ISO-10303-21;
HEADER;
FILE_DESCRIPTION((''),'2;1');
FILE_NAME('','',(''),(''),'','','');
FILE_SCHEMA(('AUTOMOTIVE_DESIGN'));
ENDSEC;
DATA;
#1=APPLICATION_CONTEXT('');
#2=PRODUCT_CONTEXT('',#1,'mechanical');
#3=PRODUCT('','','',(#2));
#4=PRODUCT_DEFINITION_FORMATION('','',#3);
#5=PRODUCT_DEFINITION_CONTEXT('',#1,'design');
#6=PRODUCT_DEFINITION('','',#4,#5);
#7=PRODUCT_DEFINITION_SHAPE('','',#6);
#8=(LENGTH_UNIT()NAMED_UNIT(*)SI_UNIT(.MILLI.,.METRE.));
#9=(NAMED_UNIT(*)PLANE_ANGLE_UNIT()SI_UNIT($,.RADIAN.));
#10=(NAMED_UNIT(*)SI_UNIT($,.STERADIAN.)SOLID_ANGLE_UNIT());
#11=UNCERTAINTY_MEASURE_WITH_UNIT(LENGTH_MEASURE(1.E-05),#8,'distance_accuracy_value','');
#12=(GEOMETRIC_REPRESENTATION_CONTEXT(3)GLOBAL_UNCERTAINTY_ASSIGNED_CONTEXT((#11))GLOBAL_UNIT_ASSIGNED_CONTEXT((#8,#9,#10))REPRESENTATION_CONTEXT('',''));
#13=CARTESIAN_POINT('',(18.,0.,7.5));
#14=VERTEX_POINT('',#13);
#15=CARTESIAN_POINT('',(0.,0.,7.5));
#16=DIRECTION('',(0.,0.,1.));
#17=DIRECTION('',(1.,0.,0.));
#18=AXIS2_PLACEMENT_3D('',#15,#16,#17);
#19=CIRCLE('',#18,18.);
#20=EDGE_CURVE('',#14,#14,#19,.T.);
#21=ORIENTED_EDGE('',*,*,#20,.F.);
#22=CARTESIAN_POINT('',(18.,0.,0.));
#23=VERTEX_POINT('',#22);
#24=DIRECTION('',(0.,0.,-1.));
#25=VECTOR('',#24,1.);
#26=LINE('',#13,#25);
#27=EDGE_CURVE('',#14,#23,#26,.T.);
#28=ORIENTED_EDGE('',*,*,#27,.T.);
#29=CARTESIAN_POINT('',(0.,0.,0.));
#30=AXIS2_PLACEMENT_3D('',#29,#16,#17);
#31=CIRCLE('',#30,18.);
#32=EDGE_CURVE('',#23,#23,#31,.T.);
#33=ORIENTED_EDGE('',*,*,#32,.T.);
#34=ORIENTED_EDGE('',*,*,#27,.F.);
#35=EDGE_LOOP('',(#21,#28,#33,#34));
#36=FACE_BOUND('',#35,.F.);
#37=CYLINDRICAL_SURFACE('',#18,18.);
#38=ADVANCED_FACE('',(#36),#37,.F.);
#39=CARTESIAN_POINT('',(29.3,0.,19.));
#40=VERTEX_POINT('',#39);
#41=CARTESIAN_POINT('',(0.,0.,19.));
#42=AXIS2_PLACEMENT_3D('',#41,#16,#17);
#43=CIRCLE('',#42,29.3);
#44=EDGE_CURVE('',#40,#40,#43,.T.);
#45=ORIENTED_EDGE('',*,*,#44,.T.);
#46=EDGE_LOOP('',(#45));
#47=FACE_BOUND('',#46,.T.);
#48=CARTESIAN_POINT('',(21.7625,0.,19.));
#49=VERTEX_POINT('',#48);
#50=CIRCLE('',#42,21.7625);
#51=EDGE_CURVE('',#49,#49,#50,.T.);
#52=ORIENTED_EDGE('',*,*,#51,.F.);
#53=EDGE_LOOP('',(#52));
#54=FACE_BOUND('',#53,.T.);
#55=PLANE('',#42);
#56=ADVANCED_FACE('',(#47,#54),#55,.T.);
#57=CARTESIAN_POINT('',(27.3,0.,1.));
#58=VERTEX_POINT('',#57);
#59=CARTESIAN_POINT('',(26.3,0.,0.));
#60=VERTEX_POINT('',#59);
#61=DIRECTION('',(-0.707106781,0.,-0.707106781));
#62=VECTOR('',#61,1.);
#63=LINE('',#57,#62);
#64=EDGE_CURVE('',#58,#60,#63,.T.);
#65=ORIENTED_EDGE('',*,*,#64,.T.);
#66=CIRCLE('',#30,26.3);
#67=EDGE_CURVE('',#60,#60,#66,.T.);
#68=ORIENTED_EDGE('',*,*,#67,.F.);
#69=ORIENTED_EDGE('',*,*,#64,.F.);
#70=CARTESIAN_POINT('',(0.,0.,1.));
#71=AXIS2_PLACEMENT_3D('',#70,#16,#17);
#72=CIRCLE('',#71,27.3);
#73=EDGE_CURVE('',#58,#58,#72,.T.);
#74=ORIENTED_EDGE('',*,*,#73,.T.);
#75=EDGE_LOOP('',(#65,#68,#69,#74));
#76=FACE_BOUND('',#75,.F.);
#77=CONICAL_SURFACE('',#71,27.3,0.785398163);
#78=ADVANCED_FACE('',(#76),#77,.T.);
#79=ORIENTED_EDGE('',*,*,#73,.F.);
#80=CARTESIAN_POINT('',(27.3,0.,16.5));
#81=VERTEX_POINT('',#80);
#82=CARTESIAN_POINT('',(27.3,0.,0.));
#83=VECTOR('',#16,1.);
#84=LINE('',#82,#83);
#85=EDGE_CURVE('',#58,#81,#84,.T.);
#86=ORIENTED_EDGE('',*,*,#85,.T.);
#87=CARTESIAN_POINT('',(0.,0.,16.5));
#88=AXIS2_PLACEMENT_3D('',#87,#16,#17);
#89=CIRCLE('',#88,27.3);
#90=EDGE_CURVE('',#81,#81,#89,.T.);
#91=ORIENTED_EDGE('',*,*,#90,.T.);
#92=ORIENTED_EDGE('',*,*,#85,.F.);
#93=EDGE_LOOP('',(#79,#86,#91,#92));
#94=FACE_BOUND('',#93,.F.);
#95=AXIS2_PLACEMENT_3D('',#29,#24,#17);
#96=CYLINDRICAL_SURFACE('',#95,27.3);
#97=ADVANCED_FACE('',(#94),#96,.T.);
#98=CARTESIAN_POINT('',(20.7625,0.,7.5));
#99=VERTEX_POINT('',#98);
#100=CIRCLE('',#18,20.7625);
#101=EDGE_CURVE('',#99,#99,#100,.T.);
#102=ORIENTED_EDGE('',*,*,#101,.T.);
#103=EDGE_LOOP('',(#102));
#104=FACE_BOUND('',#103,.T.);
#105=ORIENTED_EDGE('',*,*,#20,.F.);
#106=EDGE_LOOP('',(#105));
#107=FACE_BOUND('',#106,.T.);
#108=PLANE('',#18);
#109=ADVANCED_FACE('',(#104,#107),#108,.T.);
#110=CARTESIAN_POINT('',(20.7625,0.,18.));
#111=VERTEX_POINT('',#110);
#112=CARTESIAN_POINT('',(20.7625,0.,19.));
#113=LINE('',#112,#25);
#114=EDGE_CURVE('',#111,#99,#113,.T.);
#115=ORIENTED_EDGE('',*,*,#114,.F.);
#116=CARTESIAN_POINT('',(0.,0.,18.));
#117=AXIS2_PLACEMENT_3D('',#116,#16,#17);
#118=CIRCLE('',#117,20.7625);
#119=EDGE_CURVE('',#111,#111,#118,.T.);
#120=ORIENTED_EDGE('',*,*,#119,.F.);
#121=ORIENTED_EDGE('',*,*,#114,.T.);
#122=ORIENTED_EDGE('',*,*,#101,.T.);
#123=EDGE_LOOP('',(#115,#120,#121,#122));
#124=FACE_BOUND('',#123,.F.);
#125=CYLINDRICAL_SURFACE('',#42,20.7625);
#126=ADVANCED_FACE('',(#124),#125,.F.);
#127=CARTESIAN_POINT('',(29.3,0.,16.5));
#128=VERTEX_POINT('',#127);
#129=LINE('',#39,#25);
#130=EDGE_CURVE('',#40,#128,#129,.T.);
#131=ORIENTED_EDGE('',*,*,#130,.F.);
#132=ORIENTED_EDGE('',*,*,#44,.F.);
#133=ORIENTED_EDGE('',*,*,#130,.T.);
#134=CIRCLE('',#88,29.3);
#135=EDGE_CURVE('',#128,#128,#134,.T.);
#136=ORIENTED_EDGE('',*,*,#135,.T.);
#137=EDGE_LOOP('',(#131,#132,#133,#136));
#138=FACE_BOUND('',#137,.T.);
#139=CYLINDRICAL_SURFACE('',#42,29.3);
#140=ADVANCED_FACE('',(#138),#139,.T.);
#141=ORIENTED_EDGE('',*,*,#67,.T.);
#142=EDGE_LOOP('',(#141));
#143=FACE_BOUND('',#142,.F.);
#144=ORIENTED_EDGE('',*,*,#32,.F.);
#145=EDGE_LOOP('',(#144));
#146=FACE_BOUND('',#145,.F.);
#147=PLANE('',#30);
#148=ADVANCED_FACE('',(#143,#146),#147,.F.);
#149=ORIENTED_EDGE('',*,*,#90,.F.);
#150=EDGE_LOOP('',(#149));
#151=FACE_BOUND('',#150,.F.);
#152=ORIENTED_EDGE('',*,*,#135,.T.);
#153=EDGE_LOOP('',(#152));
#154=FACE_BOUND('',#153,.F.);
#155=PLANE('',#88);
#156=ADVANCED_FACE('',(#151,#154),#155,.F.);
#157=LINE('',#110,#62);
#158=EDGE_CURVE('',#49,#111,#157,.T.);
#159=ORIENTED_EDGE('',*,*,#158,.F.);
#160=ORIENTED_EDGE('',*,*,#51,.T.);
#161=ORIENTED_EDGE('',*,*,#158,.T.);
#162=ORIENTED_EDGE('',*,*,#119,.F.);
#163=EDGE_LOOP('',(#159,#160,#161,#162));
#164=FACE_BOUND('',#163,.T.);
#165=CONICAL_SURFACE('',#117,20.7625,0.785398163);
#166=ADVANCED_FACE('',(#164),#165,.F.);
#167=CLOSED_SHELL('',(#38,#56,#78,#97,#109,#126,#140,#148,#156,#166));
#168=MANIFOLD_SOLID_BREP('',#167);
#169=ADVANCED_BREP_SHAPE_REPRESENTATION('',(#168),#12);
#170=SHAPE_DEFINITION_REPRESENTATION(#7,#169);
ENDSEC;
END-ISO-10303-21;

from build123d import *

# Parameters (mm, degrees)
F0_R     = 27.3
F1_DEPTH = 19
F2_R     = 20.7625
F3_DEPTH = 11.5
F4_R     = 18
F5_DEPTH = 7.501
F6_R     = 29.3
F6_R_2   = 27.3
F7_DEPTH = 2.5
F8_SIZE  = 1


with BuildPart() as f1:
    # F0 (on Top) → F1 (new body)
    with BuildSketch(Plane.XY):
        Circle(F0_R)
    extrude(amount=F1_DEPTH)

    # F2 (on face) → F3 (cut)
    with BuildSketch(Plane.XY.offset(19)):
        Circle(F2_R)
    extrude(amount=-F3_DEPTH, mode=Mode.SUBTRACT)

    # F4 (on face) → F5 (cut, through all)
    with BuildSketch(Plane.XY.offset(7.5)):
        Circle(F4_R)
    extrude(amount=-F5_DEPTH, mode=Mode.SUBTRACT)

    # F6 (on face) → F7 (join)
    with BuildSketch(Plane.XY.offset(19)):
        Circle(F6_R)
        Circle(F6_R_2, mode=Mode.SUBTRACT)
    extrude(amount=-F7_DEPTH)

    # F8
    f8_edges = [f1.edges().sort_by_distance(p)[0] for p in [
        (-27.3, 0, 0),
        (-20.7625, 0, 19),
    ]]
    chamfer(f8_edges, length=F8_SIZE)


solid = f1.part
